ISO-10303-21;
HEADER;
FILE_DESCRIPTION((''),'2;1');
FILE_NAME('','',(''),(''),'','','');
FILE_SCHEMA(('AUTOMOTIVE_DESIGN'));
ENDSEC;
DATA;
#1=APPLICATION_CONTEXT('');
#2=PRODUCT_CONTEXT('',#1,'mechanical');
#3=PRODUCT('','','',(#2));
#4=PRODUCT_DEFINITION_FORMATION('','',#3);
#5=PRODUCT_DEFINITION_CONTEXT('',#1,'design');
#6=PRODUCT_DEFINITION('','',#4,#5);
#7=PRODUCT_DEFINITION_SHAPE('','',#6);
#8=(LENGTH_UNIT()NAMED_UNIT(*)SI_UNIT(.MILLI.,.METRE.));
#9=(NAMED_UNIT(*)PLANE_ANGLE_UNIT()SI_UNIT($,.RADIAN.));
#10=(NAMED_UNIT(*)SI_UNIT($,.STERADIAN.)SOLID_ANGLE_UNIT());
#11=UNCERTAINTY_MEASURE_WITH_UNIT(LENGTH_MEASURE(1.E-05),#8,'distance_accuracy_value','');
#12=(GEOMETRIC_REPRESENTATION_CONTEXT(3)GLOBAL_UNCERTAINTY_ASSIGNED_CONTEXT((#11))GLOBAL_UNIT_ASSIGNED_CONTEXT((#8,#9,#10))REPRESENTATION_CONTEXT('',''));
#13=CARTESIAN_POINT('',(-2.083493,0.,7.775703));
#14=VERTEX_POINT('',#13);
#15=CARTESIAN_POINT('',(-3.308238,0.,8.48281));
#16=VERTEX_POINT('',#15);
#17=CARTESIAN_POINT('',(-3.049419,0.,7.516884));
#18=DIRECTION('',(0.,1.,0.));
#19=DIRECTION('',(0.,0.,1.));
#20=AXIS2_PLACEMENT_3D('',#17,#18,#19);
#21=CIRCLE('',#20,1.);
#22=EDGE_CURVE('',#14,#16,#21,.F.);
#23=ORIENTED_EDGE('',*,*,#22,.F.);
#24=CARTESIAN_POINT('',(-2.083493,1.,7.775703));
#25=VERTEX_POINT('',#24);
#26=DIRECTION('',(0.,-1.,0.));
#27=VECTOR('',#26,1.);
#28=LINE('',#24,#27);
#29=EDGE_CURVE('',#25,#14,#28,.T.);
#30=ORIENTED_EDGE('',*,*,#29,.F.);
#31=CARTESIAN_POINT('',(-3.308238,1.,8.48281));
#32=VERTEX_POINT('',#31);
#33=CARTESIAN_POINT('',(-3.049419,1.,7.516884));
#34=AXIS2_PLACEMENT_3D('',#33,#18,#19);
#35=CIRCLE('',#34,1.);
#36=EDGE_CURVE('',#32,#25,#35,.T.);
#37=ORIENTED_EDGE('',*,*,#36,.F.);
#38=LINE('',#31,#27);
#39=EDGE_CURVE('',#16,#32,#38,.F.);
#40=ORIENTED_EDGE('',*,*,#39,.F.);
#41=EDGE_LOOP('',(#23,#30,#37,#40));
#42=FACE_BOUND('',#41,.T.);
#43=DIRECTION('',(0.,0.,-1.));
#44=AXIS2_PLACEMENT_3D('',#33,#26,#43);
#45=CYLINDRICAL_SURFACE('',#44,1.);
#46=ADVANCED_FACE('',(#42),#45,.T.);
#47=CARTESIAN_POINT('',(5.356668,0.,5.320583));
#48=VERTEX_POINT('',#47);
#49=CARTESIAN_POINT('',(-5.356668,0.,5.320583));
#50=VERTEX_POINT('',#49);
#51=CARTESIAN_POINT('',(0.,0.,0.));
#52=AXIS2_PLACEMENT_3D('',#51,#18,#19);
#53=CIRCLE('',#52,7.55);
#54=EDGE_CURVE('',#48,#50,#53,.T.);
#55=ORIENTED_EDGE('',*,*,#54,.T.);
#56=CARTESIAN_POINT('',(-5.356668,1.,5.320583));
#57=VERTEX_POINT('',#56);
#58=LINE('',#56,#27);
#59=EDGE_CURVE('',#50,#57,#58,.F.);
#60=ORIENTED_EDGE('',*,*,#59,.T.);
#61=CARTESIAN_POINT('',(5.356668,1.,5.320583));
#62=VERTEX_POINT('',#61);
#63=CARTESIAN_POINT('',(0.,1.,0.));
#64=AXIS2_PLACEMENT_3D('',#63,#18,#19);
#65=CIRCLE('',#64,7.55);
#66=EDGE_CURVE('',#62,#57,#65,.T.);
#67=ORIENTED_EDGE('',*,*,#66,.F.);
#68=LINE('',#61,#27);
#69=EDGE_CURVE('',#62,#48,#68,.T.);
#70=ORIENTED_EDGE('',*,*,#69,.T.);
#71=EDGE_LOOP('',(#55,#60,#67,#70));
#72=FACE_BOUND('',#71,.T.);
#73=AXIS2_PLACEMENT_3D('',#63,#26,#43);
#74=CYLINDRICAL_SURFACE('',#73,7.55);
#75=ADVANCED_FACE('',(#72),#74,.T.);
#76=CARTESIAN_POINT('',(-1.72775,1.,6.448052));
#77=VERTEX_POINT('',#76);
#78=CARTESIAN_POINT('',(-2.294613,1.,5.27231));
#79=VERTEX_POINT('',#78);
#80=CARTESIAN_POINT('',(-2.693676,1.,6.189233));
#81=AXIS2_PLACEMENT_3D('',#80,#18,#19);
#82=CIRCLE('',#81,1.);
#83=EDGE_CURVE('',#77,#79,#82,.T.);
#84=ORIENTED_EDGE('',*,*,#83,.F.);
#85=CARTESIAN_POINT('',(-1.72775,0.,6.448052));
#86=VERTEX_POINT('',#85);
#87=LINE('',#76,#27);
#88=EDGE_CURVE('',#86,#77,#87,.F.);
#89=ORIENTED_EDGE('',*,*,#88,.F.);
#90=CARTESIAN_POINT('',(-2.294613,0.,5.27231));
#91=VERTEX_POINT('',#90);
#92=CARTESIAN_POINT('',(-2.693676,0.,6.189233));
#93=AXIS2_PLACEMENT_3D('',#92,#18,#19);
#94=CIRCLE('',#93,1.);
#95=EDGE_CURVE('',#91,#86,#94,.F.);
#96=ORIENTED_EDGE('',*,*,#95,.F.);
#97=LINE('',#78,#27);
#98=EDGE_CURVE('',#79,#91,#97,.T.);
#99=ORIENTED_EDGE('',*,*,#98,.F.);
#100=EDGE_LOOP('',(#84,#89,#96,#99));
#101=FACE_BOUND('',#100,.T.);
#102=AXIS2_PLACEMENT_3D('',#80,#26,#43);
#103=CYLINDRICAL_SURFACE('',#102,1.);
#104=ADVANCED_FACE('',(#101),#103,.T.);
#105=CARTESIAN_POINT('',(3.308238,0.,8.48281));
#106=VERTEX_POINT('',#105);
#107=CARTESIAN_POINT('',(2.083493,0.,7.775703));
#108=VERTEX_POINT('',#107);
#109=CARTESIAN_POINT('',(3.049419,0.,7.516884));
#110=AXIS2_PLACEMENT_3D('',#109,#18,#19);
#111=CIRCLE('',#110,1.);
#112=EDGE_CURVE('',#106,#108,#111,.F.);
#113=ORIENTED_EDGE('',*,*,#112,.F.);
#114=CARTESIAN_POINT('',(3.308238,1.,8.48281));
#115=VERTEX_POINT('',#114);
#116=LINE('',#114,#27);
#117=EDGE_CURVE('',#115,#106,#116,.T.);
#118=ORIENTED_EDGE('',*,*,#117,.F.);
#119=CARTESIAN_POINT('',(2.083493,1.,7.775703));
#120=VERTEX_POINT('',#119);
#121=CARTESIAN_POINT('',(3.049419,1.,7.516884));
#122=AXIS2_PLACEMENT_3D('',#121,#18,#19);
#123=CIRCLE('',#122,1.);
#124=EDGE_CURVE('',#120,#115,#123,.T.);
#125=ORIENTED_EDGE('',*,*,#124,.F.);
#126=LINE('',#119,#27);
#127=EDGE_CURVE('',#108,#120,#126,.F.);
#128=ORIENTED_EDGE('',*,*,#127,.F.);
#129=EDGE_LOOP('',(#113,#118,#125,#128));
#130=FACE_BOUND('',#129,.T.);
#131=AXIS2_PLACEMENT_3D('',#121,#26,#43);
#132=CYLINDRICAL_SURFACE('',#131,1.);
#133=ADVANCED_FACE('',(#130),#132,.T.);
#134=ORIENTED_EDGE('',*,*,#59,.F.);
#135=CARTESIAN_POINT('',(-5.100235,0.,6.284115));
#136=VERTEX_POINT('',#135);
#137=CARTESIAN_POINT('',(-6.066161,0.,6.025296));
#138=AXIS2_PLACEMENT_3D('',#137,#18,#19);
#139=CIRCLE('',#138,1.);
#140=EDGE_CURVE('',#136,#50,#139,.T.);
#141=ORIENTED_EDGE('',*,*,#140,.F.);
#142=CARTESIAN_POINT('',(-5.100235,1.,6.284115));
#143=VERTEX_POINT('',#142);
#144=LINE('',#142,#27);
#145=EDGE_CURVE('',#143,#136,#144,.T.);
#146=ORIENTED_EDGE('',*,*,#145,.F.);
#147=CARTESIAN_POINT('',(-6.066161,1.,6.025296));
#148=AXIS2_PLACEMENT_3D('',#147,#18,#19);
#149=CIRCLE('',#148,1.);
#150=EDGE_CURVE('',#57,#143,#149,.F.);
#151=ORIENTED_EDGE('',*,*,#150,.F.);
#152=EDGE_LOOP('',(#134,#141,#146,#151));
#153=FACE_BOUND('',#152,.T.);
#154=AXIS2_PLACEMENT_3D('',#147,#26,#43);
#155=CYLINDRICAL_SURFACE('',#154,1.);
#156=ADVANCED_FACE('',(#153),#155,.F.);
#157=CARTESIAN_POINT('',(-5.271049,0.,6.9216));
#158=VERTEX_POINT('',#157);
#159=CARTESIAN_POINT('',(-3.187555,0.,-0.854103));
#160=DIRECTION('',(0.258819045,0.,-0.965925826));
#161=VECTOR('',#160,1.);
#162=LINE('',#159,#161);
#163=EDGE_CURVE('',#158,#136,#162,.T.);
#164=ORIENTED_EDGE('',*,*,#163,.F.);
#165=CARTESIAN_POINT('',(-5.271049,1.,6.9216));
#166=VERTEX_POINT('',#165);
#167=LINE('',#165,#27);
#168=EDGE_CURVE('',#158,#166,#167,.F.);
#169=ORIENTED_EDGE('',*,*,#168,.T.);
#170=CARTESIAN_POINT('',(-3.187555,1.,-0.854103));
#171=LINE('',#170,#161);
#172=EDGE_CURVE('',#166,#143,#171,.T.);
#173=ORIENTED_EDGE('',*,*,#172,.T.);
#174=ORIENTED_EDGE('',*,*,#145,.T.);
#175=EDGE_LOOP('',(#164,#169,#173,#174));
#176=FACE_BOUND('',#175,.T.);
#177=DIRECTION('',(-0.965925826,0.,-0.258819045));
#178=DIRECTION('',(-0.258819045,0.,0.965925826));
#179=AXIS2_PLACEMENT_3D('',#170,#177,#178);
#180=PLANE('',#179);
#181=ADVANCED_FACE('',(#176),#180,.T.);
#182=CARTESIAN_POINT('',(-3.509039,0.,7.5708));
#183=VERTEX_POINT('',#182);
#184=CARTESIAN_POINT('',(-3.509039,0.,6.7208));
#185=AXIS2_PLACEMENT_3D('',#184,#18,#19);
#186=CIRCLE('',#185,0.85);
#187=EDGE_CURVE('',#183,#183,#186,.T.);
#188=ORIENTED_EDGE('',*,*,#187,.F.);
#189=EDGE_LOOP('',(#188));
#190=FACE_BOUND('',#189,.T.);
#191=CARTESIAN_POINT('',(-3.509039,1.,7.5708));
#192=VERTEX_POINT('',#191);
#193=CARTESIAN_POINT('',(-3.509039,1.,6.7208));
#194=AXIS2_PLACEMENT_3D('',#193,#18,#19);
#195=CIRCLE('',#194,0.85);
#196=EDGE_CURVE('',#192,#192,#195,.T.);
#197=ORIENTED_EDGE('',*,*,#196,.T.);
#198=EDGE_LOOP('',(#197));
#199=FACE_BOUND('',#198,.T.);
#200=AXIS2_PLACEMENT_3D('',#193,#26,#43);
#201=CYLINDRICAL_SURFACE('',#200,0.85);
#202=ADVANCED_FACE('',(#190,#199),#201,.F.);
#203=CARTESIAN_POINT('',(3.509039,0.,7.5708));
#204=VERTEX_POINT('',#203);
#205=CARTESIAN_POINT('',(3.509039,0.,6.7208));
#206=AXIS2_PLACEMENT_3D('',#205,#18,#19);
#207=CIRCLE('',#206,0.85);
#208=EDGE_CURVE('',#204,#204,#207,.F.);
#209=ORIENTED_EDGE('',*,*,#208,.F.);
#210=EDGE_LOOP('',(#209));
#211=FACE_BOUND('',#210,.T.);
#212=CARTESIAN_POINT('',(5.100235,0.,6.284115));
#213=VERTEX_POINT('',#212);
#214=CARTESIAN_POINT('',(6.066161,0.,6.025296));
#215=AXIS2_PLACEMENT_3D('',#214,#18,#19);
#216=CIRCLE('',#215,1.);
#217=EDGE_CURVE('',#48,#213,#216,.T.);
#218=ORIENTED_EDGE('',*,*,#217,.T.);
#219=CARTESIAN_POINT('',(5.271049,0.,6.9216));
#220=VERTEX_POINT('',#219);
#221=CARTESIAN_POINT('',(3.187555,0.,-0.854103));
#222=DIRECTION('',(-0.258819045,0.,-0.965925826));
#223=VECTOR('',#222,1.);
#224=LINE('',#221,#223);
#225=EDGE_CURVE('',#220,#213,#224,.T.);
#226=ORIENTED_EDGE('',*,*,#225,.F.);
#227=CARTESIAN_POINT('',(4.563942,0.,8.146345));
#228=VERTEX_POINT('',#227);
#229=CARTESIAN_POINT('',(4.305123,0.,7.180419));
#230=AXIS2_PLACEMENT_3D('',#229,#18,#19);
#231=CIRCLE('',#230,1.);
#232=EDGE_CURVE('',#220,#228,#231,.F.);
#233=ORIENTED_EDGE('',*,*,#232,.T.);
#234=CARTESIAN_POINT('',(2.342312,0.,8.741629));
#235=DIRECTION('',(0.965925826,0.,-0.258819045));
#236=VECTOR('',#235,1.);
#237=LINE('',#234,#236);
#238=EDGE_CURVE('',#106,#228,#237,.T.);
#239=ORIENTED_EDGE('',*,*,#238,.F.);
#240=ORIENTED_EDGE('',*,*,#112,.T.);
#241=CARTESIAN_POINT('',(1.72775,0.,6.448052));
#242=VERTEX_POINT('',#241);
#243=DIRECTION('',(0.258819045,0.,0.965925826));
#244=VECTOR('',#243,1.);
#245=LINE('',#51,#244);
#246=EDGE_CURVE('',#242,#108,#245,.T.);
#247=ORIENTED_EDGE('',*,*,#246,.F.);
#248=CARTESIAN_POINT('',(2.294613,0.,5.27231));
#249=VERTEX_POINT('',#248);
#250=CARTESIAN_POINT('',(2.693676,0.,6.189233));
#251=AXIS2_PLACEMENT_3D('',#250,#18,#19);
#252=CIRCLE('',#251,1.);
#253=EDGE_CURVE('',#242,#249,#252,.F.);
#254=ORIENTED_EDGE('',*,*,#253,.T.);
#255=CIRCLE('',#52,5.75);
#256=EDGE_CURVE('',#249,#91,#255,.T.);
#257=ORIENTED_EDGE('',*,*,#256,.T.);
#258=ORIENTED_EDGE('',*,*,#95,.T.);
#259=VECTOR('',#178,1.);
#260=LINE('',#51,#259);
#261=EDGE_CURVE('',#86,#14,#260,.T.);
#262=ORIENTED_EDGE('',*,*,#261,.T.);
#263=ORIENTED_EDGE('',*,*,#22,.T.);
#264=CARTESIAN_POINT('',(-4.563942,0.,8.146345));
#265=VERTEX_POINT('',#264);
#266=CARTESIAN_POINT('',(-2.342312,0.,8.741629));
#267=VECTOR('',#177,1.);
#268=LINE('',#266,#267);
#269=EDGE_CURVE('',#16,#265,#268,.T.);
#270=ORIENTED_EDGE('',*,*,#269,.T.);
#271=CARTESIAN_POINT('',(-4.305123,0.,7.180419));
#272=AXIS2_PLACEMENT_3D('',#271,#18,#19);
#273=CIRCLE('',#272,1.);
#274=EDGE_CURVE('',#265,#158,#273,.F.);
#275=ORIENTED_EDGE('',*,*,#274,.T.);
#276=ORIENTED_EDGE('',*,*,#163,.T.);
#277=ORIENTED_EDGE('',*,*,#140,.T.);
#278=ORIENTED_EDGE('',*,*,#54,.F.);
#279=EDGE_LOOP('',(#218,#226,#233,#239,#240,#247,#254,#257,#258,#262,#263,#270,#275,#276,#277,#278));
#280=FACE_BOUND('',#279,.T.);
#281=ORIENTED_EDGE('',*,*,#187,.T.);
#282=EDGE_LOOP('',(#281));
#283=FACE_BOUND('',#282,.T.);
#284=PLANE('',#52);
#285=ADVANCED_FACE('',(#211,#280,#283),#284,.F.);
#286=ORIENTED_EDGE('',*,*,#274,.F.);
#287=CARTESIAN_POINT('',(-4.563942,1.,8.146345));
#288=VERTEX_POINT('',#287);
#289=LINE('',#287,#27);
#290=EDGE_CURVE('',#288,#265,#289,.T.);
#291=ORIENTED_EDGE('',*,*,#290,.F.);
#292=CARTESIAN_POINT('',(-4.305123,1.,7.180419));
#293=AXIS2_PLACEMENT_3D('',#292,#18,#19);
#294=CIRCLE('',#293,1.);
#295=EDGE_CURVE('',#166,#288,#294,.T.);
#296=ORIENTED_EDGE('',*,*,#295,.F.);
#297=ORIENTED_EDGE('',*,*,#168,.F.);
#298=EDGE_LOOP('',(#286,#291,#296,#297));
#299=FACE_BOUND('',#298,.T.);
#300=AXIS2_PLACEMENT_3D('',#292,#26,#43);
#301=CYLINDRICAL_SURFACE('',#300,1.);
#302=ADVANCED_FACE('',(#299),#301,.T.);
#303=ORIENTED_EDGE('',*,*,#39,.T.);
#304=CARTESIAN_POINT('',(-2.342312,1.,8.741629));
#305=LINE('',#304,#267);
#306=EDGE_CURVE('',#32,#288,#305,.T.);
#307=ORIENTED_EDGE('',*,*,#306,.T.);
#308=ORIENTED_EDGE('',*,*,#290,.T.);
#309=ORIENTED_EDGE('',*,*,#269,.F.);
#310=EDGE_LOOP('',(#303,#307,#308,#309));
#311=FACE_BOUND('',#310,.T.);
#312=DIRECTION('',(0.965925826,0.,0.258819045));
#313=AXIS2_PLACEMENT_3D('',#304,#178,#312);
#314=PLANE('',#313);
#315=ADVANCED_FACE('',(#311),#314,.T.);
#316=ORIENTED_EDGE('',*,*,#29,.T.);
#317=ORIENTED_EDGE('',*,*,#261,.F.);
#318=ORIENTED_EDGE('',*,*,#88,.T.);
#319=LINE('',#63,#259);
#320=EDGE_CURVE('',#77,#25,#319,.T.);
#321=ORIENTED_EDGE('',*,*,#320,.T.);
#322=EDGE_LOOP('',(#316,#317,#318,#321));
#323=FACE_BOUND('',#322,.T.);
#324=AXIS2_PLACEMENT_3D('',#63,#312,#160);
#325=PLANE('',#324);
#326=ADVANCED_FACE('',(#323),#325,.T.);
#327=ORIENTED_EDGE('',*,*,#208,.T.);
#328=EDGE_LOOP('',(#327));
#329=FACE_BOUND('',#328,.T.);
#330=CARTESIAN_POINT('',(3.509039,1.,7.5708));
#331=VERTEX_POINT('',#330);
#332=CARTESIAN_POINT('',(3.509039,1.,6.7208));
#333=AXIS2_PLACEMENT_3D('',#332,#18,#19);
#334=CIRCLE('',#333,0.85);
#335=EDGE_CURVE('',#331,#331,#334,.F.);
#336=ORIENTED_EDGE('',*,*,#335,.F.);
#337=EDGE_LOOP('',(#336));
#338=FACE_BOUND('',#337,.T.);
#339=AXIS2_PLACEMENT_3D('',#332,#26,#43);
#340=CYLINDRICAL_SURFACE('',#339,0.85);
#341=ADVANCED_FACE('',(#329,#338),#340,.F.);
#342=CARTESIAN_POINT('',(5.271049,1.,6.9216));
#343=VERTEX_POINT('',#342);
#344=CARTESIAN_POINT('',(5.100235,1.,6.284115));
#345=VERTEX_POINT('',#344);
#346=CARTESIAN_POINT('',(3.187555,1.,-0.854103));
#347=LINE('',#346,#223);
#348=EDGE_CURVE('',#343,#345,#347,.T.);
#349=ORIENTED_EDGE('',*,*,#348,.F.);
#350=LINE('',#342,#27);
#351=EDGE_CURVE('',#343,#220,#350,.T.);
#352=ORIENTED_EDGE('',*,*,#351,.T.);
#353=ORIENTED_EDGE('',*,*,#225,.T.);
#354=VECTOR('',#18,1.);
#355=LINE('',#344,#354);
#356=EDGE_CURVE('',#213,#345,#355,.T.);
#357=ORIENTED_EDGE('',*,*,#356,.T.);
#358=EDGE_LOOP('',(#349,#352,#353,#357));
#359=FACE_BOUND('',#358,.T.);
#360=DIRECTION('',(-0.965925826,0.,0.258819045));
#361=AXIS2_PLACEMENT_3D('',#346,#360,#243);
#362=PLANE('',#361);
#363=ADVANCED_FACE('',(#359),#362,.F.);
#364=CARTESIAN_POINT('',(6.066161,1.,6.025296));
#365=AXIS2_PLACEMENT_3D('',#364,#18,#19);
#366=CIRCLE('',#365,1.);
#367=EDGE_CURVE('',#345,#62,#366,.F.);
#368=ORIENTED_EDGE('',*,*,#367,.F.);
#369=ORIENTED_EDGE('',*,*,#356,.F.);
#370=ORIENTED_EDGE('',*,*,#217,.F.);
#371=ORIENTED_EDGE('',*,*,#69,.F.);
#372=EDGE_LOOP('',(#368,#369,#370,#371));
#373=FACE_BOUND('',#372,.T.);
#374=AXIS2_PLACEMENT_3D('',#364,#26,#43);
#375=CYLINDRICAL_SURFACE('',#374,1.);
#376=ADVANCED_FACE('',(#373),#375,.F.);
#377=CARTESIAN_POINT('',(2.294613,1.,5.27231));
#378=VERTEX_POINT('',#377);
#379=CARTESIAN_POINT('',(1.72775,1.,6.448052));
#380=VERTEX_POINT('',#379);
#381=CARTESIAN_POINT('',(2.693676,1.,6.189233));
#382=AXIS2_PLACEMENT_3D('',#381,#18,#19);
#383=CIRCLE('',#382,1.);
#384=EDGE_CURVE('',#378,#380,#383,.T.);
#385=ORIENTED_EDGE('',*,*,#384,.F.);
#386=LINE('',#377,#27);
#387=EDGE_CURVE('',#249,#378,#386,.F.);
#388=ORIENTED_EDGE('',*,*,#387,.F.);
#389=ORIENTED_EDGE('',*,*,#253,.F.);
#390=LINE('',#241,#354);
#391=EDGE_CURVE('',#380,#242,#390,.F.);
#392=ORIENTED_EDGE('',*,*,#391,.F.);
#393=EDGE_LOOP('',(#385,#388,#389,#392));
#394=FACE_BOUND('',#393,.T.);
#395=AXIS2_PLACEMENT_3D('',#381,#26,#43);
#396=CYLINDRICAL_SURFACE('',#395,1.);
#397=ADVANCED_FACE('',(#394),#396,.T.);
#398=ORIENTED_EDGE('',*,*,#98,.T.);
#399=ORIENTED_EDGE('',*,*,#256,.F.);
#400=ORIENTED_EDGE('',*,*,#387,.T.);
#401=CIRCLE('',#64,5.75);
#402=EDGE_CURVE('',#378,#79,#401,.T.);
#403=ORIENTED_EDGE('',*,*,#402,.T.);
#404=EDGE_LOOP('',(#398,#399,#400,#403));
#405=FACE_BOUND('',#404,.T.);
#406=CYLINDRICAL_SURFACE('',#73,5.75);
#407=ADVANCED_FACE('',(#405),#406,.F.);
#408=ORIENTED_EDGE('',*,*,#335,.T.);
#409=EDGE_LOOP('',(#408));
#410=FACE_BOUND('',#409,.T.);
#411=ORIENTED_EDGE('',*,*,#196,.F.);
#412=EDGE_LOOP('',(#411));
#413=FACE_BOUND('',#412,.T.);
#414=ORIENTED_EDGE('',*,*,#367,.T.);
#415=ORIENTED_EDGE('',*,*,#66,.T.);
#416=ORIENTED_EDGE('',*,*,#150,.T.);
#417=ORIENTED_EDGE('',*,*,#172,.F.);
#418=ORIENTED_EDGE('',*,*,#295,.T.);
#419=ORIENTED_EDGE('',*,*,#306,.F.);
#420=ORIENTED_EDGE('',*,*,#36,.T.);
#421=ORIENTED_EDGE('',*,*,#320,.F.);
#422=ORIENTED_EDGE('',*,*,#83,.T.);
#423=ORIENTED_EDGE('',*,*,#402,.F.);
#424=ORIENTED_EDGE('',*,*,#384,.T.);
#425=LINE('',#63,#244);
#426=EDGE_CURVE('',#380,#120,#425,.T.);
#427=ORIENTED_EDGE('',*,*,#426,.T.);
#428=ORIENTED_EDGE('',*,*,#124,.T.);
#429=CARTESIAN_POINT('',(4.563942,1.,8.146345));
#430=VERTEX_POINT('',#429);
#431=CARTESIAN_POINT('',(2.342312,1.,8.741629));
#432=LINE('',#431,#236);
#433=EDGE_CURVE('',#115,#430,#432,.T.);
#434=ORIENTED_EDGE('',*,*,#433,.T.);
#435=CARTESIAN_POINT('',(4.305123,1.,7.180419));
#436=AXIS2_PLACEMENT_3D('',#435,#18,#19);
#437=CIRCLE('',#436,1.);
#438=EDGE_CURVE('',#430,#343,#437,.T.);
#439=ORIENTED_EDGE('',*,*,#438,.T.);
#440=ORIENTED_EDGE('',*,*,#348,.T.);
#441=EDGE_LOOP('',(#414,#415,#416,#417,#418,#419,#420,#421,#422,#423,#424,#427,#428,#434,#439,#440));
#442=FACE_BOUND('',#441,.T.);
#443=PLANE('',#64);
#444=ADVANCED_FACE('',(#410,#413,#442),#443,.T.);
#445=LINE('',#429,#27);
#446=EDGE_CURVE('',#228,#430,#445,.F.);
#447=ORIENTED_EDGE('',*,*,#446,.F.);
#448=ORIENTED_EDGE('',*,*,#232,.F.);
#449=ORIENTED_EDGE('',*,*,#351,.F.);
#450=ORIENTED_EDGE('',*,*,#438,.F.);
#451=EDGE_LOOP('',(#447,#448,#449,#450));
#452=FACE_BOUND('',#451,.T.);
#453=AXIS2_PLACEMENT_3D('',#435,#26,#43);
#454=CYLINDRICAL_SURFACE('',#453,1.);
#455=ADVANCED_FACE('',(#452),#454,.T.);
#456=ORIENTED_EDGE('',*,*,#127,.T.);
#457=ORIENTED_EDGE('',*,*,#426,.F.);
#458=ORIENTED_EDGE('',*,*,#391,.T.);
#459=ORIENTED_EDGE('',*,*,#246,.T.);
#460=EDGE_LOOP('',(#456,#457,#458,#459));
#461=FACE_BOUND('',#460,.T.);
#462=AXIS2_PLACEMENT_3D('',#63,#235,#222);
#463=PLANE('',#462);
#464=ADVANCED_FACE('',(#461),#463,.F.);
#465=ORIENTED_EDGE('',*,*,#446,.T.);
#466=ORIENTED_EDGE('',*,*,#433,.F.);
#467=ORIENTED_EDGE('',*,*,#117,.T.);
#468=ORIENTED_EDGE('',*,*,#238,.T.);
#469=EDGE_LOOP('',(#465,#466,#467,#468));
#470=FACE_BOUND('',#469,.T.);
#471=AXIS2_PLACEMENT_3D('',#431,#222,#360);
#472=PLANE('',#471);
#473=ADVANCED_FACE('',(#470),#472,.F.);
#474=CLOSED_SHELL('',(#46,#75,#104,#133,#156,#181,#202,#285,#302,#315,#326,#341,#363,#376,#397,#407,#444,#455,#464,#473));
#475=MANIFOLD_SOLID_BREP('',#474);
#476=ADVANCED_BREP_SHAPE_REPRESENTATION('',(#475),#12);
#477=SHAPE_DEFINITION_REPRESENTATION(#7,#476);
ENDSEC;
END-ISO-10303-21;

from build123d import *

# Parameters (mm, degrees)
SKETCH1_R           = 0.85
BOSS_EXTRUDE1_DEPTH = 1
FILLET1_R           = 1


with BuildPart() as part:
    # Sketch1 → Boss-Extrude1 (new body)
    with BuildSketch(Plane(origin=(0, 0, 0), x_dir=(1, 0, 0), z_dir=(0, 1, 0))):
        with BuildLine():
            Line((-2.342312358, -8.741628728), (-1.488209509, -5.554073501))
            ThreePointArc((-1.488209509, -5.554073501), (0, 5.75), (1.488209509, -5.554073501))
            Line((1.488209509, -5.554073501), (2.342312358, -8.741628728))
            Line((2.342312358, -8.741628728), (5.529867585, -7.887525879))
            Line((5.529867585, -7.887525879), (4.94509663, -5.705130964))
            ThreePointArc((4.94509663, -5.705130964), (0, 7.55), (-4.94509663, -5.705130964))
            Line((-4.94509663, -5.705130964), (-5.529867585, -7.887525879))
            Line((-5.529867585, -7.887525879), (-2.342312358, -8.741628728))
        make_face()
        with Locations((-3.509038547, -6.72079969)):
            Circle(SKETCH1_R, mode=Mode.SUBTRACT)
        with Locations((3.509038547, -6.72079969)):
            Circle(SKETCH1_R, mode=Mode.SUBTRACT)
    extrude(amount=BOSS_EXTRUDE1_DEPTH)

    # Fillet1
    fillet1_edges = [part.edges().sort_by_distance(p)[0] for p in [
        (5.529867585, 0.5, 7.887525879),
        (2.342312358, 0.5, 8.741628728),
        (1.488209509, 0.5, 5.554073501),
        (-1.488209509, 0.5, 5.554073501),
        (-2.342312358, 0.5, 8.741628728),
        (-5.529867585, 0.5, 7.887525879),
        (-4.94509663, 0.5, 5.705130964),
        (4.94509663, 0.5, 5.705130964),
    ]]
    fillet(fillet1_edges, radius=FILLET1_R)


solid = part.part
